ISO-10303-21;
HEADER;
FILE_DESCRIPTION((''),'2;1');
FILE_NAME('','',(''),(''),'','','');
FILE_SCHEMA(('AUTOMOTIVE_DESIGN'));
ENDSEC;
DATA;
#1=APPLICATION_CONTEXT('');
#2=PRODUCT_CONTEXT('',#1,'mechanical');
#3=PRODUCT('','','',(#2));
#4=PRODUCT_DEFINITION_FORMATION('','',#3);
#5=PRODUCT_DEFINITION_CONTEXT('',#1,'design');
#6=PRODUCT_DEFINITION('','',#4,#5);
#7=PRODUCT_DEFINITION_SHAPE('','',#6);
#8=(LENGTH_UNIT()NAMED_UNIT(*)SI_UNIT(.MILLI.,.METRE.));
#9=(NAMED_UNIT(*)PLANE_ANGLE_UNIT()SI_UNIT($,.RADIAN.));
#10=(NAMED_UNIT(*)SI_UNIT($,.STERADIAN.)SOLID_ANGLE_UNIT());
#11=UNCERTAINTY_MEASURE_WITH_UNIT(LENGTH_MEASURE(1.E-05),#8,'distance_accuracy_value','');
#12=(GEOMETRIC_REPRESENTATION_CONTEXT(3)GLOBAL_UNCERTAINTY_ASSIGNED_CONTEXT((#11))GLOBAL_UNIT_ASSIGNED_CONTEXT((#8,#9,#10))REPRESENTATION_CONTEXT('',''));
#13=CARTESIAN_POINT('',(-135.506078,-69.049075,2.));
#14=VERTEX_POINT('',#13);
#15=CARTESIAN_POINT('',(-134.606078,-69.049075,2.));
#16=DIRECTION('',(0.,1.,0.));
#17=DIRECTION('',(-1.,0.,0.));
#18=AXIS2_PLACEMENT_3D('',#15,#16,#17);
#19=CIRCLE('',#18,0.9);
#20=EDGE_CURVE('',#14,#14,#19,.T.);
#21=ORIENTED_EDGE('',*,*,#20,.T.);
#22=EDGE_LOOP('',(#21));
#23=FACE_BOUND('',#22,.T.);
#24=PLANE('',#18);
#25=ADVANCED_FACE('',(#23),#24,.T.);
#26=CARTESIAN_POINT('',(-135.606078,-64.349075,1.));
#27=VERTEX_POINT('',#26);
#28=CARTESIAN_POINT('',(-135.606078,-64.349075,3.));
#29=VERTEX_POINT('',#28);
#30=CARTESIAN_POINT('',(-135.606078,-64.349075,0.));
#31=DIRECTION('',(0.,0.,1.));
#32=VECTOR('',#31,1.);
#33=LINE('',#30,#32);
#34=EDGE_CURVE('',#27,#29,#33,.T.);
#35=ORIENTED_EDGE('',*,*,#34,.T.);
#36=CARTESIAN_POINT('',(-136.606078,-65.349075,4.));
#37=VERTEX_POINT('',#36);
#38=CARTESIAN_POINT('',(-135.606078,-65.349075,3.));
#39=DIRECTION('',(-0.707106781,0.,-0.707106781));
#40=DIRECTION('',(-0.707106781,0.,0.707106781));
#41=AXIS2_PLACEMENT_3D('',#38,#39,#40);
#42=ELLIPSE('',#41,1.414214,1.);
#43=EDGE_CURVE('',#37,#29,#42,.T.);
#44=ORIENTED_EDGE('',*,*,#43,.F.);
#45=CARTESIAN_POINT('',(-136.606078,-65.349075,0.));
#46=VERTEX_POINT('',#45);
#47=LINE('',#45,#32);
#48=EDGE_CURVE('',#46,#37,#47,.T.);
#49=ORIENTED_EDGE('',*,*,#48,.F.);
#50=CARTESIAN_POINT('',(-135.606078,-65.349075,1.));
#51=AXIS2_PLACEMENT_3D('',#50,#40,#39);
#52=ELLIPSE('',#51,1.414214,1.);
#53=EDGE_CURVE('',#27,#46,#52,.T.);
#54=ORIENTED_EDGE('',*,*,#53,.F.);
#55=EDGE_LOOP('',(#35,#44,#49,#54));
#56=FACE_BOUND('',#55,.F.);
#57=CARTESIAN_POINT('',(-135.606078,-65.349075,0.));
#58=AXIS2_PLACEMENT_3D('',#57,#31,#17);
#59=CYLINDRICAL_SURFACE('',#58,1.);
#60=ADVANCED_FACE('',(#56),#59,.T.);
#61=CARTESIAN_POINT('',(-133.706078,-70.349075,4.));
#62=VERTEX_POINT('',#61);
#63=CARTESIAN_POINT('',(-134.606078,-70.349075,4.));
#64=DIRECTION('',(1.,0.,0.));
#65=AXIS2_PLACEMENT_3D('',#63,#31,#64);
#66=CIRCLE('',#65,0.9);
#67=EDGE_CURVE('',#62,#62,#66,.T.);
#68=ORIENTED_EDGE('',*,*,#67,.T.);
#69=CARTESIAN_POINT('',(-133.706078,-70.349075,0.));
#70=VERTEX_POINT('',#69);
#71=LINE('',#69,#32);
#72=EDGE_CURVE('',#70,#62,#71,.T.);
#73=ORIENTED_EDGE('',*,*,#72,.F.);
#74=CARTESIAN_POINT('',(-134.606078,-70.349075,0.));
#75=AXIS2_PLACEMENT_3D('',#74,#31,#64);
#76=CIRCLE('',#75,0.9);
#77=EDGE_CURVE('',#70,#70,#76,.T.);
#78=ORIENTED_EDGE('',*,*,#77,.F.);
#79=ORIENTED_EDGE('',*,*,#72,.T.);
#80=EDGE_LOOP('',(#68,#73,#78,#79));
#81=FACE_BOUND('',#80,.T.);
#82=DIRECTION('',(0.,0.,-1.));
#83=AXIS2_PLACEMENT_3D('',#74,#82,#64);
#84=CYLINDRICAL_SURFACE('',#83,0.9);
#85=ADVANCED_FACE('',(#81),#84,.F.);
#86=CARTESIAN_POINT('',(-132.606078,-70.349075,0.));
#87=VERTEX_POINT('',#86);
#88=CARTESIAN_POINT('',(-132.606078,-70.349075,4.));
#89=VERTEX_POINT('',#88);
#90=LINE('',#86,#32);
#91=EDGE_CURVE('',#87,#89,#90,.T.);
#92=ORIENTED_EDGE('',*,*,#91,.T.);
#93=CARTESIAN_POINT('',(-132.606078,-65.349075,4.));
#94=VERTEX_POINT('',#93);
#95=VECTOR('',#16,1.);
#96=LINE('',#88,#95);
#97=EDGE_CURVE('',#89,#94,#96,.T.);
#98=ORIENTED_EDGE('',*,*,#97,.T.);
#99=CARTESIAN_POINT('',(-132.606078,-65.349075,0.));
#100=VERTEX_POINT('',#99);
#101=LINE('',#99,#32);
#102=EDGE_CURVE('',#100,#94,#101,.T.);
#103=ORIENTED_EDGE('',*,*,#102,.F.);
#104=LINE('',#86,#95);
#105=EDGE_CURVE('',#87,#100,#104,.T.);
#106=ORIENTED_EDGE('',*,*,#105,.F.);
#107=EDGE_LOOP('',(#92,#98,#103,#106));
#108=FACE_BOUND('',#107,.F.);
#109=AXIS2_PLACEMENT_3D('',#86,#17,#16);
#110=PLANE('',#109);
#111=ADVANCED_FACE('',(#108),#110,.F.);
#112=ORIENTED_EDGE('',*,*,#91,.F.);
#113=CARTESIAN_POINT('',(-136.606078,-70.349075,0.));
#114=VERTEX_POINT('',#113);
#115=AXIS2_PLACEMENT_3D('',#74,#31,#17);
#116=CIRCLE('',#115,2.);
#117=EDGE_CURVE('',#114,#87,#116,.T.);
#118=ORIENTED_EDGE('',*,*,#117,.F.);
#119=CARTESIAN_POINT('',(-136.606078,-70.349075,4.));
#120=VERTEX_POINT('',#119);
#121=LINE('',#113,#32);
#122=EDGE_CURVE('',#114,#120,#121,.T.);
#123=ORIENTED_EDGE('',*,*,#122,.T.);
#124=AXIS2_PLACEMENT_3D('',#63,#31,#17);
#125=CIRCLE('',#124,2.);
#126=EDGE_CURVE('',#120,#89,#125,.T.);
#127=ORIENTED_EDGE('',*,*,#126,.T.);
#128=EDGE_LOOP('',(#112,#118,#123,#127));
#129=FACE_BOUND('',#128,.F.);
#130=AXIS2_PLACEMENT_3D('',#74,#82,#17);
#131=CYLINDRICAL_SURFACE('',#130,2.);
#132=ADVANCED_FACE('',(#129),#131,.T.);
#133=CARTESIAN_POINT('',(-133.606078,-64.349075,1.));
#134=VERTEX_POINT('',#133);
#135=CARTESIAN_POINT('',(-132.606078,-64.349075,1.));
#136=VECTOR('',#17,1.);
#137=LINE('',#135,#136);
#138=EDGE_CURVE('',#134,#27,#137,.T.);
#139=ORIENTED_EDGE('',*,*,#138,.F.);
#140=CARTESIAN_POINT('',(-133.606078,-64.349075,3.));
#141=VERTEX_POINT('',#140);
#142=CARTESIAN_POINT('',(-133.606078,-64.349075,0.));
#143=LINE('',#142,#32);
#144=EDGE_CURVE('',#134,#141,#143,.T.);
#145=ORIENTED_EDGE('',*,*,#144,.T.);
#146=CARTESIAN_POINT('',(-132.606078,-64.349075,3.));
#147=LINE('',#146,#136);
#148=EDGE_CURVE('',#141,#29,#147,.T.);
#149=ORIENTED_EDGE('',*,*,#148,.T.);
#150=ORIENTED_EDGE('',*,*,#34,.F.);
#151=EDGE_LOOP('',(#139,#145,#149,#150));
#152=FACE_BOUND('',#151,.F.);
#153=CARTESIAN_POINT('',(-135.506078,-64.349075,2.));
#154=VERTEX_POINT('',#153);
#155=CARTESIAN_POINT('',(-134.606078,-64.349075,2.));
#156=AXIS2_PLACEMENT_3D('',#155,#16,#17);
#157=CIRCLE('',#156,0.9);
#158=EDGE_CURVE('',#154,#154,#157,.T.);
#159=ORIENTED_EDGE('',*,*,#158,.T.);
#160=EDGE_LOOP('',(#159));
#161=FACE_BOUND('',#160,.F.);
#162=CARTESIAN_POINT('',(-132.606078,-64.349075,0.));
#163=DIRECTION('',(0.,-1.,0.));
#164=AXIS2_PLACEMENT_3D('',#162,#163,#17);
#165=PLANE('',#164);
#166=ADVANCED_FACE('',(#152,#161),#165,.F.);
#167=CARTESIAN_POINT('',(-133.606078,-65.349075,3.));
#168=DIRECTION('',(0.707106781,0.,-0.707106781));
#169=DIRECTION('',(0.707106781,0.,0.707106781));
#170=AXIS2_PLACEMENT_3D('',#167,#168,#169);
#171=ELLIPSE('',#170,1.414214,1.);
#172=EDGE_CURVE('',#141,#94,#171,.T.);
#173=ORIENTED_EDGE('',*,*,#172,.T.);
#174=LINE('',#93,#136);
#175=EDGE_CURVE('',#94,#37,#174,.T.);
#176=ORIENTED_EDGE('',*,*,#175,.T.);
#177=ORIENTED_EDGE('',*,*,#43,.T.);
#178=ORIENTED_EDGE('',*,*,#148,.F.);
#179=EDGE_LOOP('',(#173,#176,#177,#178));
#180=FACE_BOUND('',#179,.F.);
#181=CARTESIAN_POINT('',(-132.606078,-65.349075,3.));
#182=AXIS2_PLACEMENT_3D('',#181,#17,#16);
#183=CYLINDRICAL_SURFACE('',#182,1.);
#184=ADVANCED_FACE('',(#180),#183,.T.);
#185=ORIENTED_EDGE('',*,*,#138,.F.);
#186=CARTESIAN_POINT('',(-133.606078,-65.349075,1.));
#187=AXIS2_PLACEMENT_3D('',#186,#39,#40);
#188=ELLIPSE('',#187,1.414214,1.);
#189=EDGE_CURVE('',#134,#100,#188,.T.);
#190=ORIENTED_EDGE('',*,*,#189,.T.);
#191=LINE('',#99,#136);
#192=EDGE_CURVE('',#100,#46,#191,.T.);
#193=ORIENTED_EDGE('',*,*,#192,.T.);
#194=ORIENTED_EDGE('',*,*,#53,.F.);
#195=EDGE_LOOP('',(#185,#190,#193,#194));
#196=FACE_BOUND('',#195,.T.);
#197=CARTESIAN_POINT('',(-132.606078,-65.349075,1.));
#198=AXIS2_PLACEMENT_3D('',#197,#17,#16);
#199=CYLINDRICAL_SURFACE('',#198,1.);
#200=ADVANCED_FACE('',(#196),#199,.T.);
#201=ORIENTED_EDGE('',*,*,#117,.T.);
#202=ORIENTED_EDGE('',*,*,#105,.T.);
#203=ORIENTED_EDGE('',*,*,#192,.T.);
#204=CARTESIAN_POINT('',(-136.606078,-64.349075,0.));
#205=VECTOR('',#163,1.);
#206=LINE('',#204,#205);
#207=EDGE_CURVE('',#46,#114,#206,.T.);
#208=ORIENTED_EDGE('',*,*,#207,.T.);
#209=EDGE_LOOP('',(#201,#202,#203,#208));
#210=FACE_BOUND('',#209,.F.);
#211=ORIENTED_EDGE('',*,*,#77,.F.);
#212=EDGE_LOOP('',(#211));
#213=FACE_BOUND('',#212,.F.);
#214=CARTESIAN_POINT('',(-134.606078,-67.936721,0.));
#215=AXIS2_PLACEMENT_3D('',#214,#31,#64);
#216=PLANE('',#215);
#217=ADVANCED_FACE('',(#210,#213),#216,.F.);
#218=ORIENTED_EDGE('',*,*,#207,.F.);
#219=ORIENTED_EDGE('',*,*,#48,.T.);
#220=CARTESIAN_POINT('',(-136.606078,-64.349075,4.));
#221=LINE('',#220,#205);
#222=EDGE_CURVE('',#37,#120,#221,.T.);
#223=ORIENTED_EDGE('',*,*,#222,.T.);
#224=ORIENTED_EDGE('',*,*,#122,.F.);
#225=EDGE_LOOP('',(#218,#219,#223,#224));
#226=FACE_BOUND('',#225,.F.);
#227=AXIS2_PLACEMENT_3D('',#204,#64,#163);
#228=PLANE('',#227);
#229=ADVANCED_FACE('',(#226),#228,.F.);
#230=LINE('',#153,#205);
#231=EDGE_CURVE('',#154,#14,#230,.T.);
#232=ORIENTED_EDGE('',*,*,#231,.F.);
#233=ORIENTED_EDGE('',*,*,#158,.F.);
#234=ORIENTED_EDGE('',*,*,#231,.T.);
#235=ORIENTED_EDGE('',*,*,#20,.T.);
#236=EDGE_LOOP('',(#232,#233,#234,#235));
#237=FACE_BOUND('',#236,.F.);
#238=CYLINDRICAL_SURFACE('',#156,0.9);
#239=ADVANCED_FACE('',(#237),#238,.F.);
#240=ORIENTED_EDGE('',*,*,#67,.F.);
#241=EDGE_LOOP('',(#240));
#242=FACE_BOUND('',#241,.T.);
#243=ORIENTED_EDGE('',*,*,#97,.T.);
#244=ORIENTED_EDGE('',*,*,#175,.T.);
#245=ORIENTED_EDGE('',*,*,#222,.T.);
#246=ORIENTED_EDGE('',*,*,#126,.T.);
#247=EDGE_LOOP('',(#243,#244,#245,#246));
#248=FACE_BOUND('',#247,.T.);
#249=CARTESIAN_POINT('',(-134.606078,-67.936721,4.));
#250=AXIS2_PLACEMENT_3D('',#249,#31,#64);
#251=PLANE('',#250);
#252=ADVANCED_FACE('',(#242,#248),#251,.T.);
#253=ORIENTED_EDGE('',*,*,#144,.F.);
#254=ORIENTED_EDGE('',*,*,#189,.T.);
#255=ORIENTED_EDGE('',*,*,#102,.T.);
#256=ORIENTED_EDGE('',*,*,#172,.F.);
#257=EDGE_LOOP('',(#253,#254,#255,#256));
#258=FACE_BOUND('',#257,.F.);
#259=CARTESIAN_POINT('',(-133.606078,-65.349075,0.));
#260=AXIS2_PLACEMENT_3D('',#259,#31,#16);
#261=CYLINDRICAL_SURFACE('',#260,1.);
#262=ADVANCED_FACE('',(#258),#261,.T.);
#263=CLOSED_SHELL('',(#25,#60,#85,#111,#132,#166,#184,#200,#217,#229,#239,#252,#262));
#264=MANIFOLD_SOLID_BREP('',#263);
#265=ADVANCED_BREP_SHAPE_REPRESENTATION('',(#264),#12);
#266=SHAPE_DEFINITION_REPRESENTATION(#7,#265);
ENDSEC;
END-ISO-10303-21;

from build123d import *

# Parameters (mm, degrees)
F0_R     = 0.9
F1_DEPTH = 4
F2_R     = 0.9
F3_DEPTH = 4.7
F4_R     = 1


with BuildPart() as f1:
    # F0 (on Top) → F1 (new body)
    with BuildSketch(Plane.XY):
        with BuildLine():
            Line((-136.606078, -64.349075), (-136.606078, -70.349075))
            ThreePointArc((-136.606078, -70.349075), (-134.606078, -72.349075), (-132.606078, -70.349075))
            Line((-132.606078, -70.349075), (-132.606078, -64.349075))
            Line((-132.606078, -64.349075), (-136.606078, -64.349075))
        make_face()
        with Locations((-134.606078, -70.349075)):
            Circle(F0_R, mode=Mode.SUBTRACT)
    extrude(amount=F1_DEPTH)

    # F2 (on face) → F3 (cut)
    with BuildSketch(Plane(origin=(0, -64.349075, 0), x_dir=(-1, 0, 0), z_dir=(0, 1, 0))):
        with Locations((134.606078, 2)):
            Circle(F2_R)
    extrude(amount=-F3_DEPTH, mode=Mode.SUBTRACT)

    # F4
    f4_edges = [f1.edges().sort_by_distance(p)[0] for p in [
        (-132.606078, -64.349075, 2),
        (-134.606078, -64.349075, 0),
        (-136.606078, -64.349075, 2),
        (-134.606078, -64.349075, 4),
    ]]
    fillet(f4_edges, radius=F4_R)


solid = f1.part
